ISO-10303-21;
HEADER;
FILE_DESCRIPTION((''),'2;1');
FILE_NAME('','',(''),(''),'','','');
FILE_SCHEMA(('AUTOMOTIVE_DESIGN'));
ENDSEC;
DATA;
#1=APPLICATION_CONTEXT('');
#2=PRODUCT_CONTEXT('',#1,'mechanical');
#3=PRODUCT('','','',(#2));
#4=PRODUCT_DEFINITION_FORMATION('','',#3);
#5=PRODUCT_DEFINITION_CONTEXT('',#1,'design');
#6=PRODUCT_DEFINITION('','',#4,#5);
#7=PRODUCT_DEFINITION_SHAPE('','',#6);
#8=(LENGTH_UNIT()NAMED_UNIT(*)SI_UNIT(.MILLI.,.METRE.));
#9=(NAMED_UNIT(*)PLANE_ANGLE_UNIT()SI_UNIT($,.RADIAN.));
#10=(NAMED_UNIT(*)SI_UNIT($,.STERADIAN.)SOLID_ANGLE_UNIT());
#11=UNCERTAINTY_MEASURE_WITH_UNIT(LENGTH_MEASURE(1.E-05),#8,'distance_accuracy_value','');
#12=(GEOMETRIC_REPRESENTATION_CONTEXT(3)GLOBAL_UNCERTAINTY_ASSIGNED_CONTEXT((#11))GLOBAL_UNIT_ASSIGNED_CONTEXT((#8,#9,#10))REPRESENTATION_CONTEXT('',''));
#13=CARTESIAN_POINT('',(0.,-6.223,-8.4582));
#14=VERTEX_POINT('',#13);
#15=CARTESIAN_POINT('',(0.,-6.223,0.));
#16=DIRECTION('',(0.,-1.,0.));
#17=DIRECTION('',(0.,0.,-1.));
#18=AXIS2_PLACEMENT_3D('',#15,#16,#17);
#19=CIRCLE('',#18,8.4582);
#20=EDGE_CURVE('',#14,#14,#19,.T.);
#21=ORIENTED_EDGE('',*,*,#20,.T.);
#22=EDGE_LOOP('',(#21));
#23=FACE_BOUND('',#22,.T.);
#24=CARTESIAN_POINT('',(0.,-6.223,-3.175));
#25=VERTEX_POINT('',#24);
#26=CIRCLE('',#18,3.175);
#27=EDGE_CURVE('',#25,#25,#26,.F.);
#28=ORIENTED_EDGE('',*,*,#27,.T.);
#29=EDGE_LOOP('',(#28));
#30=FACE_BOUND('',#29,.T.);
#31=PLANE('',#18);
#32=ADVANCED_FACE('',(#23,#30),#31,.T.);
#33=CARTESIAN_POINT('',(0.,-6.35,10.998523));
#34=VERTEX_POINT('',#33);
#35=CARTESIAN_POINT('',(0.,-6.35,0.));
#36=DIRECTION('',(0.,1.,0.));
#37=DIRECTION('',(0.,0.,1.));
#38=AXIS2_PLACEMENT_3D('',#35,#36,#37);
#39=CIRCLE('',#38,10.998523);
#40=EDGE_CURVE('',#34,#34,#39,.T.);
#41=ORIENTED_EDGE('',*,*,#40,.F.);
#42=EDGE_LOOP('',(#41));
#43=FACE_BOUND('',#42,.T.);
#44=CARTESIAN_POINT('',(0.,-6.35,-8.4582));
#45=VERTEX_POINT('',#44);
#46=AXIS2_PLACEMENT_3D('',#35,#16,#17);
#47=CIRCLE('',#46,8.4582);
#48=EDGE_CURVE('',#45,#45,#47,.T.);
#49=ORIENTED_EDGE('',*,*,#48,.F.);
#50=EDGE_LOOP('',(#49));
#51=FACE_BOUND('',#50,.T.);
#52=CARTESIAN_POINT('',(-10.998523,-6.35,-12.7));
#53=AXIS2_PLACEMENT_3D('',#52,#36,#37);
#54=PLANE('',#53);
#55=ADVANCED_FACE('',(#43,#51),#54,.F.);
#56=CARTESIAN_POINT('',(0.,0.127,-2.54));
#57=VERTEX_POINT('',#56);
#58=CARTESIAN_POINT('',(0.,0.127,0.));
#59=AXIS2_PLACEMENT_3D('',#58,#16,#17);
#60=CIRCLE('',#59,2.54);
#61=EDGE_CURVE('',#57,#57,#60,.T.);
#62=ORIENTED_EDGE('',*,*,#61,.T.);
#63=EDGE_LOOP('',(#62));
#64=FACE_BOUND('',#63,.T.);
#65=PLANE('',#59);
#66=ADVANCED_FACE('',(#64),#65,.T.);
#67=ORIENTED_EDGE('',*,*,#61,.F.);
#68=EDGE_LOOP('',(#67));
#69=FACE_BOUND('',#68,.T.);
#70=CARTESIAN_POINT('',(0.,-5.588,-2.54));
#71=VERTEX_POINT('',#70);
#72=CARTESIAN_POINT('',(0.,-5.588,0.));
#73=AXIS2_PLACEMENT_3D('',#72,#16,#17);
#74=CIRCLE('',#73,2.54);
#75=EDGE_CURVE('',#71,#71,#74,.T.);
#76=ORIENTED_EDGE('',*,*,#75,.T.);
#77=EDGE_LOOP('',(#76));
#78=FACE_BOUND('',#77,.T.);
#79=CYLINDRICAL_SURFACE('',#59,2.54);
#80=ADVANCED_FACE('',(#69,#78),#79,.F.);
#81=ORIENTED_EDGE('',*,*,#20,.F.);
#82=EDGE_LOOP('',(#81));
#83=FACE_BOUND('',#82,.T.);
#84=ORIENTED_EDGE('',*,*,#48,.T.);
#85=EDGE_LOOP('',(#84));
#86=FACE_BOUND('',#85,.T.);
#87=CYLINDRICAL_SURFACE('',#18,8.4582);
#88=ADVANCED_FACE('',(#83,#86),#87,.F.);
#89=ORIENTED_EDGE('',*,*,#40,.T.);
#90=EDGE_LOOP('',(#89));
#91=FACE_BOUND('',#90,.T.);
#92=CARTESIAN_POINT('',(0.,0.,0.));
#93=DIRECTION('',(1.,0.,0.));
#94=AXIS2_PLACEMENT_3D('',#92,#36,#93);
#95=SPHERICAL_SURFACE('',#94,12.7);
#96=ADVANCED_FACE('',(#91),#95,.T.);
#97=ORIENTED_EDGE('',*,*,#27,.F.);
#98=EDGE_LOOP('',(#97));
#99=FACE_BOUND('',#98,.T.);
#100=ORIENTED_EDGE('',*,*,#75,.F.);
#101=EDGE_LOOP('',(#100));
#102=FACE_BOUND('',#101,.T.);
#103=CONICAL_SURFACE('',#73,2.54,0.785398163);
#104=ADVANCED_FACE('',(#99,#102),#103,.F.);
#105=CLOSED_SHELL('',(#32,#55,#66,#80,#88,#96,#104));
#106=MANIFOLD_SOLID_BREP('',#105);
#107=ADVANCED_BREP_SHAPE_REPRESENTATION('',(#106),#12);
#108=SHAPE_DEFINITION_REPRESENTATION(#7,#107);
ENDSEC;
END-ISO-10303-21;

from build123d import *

# Parameters (mm, degrees)
TRUNCATED_BALL_DEPTH      = 13.7
TRUNCATED_BALL_DEPTH_BACK = 13.7
SKETCH3_R                 = 8.4582
RECESSED_DEPTH            = 0.127
SKETCH4_R                 = 2.54
THREADED_DEPTH            = 6.35
CHAMFER2_SIZE             = 0.635


with BuildPart() as part:
    # Sketch1 → Complete_Ball (revolve)
    with BuildSketch(Plane.XY):
        with BuildLine():
            Line((0, 12.7), (0, -12.7))
            ThreePointArc((0, -12.7), (12.7, 0), (0, 12.7))
        make_face()
    revolve(axis=Axis((0, 13.6525, 0), (0, -1, 0)))

    # Sketch2 → Truncated_ball (cut, two sides)
    with BuildSketch(Plane.XY) as truncated_ball_sk:
        with BuildLine():
            Line((-10.998522628, -6.35), (10.998522628, -6.35))
            ThreePointArc((10.998522628, -6.35), (0, -12.7), (-10.998522628, -6.35))
        make_face()
    extrude(amount=TRUNCATED_BALL_DEPTH, mode=Mode.SUBTRACT)
    extrude(truncated_ball_sk.sketch, amount=-TRUNCATED_BALL_DEPTH_BACK, mode=Mode.SUBTRACT)

    # Sketch3 → Recessed (cut)
    with BuildSketch(Plane.XZ.offset(6.35)):
        with Locations(Location((0, 0, 0), (0, 0, 270))):  # turned: the seam where the file's is
            Circle(SKETCH3_R)
    extrude(amount=-RECESSED_DEPTH, mode=Mode.SUBTRACT)

    # Sketch4 → Threaded (cut)
    with BuildSketch(Plane.XZ.offset(6.223)):
        with Locations(Location((0, 0, 0), (0, 0, 270))):  # turned: the seam where the file's is
            Circle(SKETCH4_R)
    extrude(amount=-THREADED_DEPTH, mode=Mode.SUBTRACT)

    # Chamfer2
    chamfer2_edges = [part.edges().sort_by_distance(p)[0] for p in [
        (0, -6.223, 2.54),
    ]]
    chamfer(chamfer2_edges, length=CHAMFER2_SIZE)


solid = part.part
